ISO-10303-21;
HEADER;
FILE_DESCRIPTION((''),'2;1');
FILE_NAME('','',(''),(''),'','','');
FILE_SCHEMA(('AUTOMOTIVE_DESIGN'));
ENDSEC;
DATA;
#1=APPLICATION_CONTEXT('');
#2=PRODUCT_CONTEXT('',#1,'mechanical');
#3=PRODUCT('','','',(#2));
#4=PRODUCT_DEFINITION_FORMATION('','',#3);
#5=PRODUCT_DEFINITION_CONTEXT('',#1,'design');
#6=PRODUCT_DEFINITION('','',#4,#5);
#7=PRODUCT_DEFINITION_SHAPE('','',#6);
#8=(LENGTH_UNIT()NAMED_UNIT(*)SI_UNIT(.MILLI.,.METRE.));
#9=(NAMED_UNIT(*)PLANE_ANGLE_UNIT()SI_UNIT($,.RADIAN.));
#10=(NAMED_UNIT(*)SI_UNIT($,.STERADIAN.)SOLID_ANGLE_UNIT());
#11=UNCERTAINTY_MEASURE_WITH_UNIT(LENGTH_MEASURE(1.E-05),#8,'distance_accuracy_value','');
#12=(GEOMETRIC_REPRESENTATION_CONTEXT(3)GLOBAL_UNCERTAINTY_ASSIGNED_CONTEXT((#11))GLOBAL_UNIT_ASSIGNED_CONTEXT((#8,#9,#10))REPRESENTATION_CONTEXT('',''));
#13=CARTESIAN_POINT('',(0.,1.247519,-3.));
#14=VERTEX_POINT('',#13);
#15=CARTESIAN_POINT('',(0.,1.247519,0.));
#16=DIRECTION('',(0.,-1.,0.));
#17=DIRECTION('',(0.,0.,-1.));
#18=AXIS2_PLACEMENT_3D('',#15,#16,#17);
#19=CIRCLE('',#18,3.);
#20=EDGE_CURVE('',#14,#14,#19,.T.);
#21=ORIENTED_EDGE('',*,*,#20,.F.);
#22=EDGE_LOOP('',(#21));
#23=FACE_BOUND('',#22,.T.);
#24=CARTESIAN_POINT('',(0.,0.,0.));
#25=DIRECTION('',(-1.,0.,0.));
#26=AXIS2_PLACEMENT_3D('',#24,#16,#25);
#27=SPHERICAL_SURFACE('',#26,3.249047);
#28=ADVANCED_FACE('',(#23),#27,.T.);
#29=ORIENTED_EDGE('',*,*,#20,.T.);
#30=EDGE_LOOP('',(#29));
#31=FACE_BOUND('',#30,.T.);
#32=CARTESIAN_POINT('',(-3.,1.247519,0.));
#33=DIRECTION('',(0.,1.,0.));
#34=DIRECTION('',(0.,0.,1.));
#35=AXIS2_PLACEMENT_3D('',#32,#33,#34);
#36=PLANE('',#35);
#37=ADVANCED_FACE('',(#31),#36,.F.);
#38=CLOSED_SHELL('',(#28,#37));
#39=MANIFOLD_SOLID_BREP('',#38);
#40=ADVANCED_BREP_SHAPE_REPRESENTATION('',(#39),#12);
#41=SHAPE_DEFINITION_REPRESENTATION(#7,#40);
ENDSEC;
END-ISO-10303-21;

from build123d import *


with BuildPart() as part:
    # Sketch1 → Revolve1 (revolve)
    with BuildSketch(Plane.XY):
        with BuildLine():
            Line((-3, 1.247518969), (0, 1.247518969))
            Line((0, 1.247518969), (0, 3.249046564))
            ThreePointArc((0, 3.249046564), (-1.803199429, 2.7027348), (-3, 1.247518969))
        make_face()
    revolve(axis=Axis((0, 1.247518969, 0), (0, 1, 0)))


solid = part.part
